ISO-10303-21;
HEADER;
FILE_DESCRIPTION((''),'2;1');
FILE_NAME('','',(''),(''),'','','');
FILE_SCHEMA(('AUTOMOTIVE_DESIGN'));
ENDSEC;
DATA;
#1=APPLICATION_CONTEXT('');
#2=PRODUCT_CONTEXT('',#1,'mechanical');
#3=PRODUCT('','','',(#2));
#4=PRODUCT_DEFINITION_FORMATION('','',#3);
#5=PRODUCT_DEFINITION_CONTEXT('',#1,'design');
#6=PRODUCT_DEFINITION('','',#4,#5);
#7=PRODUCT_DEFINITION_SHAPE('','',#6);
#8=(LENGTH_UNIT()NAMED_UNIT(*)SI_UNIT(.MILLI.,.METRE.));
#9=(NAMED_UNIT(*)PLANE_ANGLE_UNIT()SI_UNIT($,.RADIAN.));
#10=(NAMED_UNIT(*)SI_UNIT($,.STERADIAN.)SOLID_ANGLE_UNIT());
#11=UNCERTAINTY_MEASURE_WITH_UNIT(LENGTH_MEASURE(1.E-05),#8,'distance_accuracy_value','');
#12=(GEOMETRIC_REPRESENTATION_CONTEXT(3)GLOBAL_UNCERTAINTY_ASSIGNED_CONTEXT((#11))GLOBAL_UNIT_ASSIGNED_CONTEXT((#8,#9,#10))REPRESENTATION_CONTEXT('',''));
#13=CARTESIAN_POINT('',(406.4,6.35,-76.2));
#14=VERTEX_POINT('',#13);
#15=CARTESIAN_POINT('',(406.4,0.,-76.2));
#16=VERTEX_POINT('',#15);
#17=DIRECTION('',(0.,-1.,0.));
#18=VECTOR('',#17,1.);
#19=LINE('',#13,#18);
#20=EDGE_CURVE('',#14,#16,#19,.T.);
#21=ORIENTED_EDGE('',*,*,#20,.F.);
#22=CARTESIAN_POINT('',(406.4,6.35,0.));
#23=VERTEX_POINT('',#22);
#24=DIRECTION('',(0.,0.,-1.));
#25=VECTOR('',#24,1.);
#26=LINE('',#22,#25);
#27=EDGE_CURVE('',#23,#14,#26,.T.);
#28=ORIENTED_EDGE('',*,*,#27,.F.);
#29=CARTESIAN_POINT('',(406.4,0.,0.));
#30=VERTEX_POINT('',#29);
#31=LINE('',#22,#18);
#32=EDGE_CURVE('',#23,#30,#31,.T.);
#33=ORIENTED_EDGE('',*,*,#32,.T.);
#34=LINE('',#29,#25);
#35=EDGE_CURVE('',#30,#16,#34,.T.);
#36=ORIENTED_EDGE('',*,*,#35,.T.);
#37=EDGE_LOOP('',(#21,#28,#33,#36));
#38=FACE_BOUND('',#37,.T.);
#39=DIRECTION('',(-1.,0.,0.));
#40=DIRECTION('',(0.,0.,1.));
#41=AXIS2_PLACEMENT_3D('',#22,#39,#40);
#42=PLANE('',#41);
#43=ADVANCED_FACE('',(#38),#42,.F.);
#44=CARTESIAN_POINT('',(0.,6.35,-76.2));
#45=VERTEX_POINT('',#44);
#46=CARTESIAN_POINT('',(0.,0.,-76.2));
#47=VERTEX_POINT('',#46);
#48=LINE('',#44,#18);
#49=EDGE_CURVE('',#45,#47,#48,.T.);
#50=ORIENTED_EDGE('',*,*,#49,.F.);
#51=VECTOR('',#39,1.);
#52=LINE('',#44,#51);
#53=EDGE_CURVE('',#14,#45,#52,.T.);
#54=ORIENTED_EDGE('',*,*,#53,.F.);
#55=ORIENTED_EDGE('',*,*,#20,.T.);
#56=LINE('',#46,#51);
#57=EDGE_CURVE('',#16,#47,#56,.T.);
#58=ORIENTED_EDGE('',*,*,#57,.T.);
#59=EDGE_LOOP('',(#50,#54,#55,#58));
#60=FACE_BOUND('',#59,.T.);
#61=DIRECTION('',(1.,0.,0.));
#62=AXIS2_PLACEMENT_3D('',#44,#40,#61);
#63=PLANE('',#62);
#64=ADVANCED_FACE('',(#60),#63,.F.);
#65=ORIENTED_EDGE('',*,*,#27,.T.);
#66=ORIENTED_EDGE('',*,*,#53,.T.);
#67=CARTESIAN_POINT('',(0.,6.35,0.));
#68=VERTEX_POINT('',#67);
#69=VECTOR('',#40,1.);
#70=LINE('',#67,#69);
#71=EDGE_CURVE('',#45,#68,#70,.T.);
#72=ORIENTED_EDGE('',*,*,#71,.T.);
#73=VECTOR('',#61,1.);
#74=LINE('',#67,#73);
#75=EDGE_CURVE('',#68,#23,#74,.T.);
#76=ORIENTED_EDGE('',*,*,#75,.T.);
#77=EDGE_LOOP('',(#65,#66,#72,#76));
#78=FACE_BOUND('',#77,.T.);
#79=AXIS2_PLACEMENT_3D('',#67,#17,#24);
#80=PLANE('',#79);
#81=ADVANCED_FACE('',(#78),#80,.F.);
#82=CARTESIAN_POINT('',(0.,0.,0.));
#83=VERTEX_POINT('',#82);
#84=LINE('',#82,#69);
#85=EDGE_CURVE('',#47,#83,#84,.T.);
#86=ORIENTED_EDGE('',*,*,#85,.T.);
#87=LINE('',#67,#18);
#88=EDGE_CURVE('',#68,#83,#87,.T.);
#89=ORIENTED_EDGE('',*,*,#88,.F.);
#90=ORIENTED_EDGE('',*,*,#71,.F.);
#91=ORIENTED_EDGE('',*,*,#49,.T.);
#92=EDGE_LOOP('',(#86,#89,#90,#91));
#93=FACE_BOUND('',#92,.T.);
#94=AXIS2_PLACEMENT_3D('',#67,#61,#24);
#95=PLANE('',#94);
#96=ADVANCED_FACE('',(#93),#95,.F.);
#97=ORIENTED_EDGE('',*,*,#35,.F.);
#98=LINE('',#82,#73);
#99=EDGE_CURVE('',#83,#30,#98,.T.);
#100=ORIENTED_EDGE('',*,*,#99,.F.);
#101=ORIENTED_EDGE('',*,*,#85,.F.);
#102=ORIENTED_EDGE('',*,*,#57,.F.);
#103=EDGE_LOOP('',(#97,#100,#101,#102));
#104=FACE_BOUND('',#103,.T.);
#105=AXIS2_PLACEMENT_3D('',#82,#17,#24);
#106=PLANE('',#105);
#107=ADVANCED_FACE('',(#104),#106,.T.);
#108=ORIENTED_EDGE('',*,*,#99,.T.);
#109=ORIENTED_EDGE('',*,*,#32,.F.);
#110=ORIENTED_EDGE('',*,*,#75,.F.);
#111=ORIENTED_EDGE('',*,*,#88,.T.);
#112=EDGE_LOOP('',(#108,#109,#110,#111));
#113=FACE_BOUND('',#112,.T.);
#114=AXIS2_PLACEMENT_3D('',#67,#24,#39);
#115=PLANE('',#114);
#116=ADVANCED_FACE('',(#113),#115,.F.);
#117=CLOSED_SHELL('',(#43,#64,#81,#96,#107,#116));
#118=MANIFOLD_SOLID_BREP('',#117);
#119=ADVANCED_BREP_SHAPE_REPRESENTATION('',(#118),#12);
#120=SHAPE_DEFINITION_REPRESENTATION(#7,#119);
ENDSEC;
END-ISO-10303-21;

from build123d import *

# Parameters (mm, degrees)
SKETCH1_W           = 406.4
SKETCH1_H           = 76.2
BOSS_EXTRUDE1_DEPTH = 6.35


with BuildPart() as part:
    # Sketch1 → Boss-Extrude1 (new body)
    with BuildSketch(Plane(origin=(0, 0, 0), x_dir=(1, 0, 0), z_dir=(0, 1, 0))):
        with Locations((203.2, 38.1)):
            Rectangle(SKETCH1_W, SKETCH1_H)
    extrude(amount=BOSS_EXTRUDE1_DEPTH)


solid = part.part
